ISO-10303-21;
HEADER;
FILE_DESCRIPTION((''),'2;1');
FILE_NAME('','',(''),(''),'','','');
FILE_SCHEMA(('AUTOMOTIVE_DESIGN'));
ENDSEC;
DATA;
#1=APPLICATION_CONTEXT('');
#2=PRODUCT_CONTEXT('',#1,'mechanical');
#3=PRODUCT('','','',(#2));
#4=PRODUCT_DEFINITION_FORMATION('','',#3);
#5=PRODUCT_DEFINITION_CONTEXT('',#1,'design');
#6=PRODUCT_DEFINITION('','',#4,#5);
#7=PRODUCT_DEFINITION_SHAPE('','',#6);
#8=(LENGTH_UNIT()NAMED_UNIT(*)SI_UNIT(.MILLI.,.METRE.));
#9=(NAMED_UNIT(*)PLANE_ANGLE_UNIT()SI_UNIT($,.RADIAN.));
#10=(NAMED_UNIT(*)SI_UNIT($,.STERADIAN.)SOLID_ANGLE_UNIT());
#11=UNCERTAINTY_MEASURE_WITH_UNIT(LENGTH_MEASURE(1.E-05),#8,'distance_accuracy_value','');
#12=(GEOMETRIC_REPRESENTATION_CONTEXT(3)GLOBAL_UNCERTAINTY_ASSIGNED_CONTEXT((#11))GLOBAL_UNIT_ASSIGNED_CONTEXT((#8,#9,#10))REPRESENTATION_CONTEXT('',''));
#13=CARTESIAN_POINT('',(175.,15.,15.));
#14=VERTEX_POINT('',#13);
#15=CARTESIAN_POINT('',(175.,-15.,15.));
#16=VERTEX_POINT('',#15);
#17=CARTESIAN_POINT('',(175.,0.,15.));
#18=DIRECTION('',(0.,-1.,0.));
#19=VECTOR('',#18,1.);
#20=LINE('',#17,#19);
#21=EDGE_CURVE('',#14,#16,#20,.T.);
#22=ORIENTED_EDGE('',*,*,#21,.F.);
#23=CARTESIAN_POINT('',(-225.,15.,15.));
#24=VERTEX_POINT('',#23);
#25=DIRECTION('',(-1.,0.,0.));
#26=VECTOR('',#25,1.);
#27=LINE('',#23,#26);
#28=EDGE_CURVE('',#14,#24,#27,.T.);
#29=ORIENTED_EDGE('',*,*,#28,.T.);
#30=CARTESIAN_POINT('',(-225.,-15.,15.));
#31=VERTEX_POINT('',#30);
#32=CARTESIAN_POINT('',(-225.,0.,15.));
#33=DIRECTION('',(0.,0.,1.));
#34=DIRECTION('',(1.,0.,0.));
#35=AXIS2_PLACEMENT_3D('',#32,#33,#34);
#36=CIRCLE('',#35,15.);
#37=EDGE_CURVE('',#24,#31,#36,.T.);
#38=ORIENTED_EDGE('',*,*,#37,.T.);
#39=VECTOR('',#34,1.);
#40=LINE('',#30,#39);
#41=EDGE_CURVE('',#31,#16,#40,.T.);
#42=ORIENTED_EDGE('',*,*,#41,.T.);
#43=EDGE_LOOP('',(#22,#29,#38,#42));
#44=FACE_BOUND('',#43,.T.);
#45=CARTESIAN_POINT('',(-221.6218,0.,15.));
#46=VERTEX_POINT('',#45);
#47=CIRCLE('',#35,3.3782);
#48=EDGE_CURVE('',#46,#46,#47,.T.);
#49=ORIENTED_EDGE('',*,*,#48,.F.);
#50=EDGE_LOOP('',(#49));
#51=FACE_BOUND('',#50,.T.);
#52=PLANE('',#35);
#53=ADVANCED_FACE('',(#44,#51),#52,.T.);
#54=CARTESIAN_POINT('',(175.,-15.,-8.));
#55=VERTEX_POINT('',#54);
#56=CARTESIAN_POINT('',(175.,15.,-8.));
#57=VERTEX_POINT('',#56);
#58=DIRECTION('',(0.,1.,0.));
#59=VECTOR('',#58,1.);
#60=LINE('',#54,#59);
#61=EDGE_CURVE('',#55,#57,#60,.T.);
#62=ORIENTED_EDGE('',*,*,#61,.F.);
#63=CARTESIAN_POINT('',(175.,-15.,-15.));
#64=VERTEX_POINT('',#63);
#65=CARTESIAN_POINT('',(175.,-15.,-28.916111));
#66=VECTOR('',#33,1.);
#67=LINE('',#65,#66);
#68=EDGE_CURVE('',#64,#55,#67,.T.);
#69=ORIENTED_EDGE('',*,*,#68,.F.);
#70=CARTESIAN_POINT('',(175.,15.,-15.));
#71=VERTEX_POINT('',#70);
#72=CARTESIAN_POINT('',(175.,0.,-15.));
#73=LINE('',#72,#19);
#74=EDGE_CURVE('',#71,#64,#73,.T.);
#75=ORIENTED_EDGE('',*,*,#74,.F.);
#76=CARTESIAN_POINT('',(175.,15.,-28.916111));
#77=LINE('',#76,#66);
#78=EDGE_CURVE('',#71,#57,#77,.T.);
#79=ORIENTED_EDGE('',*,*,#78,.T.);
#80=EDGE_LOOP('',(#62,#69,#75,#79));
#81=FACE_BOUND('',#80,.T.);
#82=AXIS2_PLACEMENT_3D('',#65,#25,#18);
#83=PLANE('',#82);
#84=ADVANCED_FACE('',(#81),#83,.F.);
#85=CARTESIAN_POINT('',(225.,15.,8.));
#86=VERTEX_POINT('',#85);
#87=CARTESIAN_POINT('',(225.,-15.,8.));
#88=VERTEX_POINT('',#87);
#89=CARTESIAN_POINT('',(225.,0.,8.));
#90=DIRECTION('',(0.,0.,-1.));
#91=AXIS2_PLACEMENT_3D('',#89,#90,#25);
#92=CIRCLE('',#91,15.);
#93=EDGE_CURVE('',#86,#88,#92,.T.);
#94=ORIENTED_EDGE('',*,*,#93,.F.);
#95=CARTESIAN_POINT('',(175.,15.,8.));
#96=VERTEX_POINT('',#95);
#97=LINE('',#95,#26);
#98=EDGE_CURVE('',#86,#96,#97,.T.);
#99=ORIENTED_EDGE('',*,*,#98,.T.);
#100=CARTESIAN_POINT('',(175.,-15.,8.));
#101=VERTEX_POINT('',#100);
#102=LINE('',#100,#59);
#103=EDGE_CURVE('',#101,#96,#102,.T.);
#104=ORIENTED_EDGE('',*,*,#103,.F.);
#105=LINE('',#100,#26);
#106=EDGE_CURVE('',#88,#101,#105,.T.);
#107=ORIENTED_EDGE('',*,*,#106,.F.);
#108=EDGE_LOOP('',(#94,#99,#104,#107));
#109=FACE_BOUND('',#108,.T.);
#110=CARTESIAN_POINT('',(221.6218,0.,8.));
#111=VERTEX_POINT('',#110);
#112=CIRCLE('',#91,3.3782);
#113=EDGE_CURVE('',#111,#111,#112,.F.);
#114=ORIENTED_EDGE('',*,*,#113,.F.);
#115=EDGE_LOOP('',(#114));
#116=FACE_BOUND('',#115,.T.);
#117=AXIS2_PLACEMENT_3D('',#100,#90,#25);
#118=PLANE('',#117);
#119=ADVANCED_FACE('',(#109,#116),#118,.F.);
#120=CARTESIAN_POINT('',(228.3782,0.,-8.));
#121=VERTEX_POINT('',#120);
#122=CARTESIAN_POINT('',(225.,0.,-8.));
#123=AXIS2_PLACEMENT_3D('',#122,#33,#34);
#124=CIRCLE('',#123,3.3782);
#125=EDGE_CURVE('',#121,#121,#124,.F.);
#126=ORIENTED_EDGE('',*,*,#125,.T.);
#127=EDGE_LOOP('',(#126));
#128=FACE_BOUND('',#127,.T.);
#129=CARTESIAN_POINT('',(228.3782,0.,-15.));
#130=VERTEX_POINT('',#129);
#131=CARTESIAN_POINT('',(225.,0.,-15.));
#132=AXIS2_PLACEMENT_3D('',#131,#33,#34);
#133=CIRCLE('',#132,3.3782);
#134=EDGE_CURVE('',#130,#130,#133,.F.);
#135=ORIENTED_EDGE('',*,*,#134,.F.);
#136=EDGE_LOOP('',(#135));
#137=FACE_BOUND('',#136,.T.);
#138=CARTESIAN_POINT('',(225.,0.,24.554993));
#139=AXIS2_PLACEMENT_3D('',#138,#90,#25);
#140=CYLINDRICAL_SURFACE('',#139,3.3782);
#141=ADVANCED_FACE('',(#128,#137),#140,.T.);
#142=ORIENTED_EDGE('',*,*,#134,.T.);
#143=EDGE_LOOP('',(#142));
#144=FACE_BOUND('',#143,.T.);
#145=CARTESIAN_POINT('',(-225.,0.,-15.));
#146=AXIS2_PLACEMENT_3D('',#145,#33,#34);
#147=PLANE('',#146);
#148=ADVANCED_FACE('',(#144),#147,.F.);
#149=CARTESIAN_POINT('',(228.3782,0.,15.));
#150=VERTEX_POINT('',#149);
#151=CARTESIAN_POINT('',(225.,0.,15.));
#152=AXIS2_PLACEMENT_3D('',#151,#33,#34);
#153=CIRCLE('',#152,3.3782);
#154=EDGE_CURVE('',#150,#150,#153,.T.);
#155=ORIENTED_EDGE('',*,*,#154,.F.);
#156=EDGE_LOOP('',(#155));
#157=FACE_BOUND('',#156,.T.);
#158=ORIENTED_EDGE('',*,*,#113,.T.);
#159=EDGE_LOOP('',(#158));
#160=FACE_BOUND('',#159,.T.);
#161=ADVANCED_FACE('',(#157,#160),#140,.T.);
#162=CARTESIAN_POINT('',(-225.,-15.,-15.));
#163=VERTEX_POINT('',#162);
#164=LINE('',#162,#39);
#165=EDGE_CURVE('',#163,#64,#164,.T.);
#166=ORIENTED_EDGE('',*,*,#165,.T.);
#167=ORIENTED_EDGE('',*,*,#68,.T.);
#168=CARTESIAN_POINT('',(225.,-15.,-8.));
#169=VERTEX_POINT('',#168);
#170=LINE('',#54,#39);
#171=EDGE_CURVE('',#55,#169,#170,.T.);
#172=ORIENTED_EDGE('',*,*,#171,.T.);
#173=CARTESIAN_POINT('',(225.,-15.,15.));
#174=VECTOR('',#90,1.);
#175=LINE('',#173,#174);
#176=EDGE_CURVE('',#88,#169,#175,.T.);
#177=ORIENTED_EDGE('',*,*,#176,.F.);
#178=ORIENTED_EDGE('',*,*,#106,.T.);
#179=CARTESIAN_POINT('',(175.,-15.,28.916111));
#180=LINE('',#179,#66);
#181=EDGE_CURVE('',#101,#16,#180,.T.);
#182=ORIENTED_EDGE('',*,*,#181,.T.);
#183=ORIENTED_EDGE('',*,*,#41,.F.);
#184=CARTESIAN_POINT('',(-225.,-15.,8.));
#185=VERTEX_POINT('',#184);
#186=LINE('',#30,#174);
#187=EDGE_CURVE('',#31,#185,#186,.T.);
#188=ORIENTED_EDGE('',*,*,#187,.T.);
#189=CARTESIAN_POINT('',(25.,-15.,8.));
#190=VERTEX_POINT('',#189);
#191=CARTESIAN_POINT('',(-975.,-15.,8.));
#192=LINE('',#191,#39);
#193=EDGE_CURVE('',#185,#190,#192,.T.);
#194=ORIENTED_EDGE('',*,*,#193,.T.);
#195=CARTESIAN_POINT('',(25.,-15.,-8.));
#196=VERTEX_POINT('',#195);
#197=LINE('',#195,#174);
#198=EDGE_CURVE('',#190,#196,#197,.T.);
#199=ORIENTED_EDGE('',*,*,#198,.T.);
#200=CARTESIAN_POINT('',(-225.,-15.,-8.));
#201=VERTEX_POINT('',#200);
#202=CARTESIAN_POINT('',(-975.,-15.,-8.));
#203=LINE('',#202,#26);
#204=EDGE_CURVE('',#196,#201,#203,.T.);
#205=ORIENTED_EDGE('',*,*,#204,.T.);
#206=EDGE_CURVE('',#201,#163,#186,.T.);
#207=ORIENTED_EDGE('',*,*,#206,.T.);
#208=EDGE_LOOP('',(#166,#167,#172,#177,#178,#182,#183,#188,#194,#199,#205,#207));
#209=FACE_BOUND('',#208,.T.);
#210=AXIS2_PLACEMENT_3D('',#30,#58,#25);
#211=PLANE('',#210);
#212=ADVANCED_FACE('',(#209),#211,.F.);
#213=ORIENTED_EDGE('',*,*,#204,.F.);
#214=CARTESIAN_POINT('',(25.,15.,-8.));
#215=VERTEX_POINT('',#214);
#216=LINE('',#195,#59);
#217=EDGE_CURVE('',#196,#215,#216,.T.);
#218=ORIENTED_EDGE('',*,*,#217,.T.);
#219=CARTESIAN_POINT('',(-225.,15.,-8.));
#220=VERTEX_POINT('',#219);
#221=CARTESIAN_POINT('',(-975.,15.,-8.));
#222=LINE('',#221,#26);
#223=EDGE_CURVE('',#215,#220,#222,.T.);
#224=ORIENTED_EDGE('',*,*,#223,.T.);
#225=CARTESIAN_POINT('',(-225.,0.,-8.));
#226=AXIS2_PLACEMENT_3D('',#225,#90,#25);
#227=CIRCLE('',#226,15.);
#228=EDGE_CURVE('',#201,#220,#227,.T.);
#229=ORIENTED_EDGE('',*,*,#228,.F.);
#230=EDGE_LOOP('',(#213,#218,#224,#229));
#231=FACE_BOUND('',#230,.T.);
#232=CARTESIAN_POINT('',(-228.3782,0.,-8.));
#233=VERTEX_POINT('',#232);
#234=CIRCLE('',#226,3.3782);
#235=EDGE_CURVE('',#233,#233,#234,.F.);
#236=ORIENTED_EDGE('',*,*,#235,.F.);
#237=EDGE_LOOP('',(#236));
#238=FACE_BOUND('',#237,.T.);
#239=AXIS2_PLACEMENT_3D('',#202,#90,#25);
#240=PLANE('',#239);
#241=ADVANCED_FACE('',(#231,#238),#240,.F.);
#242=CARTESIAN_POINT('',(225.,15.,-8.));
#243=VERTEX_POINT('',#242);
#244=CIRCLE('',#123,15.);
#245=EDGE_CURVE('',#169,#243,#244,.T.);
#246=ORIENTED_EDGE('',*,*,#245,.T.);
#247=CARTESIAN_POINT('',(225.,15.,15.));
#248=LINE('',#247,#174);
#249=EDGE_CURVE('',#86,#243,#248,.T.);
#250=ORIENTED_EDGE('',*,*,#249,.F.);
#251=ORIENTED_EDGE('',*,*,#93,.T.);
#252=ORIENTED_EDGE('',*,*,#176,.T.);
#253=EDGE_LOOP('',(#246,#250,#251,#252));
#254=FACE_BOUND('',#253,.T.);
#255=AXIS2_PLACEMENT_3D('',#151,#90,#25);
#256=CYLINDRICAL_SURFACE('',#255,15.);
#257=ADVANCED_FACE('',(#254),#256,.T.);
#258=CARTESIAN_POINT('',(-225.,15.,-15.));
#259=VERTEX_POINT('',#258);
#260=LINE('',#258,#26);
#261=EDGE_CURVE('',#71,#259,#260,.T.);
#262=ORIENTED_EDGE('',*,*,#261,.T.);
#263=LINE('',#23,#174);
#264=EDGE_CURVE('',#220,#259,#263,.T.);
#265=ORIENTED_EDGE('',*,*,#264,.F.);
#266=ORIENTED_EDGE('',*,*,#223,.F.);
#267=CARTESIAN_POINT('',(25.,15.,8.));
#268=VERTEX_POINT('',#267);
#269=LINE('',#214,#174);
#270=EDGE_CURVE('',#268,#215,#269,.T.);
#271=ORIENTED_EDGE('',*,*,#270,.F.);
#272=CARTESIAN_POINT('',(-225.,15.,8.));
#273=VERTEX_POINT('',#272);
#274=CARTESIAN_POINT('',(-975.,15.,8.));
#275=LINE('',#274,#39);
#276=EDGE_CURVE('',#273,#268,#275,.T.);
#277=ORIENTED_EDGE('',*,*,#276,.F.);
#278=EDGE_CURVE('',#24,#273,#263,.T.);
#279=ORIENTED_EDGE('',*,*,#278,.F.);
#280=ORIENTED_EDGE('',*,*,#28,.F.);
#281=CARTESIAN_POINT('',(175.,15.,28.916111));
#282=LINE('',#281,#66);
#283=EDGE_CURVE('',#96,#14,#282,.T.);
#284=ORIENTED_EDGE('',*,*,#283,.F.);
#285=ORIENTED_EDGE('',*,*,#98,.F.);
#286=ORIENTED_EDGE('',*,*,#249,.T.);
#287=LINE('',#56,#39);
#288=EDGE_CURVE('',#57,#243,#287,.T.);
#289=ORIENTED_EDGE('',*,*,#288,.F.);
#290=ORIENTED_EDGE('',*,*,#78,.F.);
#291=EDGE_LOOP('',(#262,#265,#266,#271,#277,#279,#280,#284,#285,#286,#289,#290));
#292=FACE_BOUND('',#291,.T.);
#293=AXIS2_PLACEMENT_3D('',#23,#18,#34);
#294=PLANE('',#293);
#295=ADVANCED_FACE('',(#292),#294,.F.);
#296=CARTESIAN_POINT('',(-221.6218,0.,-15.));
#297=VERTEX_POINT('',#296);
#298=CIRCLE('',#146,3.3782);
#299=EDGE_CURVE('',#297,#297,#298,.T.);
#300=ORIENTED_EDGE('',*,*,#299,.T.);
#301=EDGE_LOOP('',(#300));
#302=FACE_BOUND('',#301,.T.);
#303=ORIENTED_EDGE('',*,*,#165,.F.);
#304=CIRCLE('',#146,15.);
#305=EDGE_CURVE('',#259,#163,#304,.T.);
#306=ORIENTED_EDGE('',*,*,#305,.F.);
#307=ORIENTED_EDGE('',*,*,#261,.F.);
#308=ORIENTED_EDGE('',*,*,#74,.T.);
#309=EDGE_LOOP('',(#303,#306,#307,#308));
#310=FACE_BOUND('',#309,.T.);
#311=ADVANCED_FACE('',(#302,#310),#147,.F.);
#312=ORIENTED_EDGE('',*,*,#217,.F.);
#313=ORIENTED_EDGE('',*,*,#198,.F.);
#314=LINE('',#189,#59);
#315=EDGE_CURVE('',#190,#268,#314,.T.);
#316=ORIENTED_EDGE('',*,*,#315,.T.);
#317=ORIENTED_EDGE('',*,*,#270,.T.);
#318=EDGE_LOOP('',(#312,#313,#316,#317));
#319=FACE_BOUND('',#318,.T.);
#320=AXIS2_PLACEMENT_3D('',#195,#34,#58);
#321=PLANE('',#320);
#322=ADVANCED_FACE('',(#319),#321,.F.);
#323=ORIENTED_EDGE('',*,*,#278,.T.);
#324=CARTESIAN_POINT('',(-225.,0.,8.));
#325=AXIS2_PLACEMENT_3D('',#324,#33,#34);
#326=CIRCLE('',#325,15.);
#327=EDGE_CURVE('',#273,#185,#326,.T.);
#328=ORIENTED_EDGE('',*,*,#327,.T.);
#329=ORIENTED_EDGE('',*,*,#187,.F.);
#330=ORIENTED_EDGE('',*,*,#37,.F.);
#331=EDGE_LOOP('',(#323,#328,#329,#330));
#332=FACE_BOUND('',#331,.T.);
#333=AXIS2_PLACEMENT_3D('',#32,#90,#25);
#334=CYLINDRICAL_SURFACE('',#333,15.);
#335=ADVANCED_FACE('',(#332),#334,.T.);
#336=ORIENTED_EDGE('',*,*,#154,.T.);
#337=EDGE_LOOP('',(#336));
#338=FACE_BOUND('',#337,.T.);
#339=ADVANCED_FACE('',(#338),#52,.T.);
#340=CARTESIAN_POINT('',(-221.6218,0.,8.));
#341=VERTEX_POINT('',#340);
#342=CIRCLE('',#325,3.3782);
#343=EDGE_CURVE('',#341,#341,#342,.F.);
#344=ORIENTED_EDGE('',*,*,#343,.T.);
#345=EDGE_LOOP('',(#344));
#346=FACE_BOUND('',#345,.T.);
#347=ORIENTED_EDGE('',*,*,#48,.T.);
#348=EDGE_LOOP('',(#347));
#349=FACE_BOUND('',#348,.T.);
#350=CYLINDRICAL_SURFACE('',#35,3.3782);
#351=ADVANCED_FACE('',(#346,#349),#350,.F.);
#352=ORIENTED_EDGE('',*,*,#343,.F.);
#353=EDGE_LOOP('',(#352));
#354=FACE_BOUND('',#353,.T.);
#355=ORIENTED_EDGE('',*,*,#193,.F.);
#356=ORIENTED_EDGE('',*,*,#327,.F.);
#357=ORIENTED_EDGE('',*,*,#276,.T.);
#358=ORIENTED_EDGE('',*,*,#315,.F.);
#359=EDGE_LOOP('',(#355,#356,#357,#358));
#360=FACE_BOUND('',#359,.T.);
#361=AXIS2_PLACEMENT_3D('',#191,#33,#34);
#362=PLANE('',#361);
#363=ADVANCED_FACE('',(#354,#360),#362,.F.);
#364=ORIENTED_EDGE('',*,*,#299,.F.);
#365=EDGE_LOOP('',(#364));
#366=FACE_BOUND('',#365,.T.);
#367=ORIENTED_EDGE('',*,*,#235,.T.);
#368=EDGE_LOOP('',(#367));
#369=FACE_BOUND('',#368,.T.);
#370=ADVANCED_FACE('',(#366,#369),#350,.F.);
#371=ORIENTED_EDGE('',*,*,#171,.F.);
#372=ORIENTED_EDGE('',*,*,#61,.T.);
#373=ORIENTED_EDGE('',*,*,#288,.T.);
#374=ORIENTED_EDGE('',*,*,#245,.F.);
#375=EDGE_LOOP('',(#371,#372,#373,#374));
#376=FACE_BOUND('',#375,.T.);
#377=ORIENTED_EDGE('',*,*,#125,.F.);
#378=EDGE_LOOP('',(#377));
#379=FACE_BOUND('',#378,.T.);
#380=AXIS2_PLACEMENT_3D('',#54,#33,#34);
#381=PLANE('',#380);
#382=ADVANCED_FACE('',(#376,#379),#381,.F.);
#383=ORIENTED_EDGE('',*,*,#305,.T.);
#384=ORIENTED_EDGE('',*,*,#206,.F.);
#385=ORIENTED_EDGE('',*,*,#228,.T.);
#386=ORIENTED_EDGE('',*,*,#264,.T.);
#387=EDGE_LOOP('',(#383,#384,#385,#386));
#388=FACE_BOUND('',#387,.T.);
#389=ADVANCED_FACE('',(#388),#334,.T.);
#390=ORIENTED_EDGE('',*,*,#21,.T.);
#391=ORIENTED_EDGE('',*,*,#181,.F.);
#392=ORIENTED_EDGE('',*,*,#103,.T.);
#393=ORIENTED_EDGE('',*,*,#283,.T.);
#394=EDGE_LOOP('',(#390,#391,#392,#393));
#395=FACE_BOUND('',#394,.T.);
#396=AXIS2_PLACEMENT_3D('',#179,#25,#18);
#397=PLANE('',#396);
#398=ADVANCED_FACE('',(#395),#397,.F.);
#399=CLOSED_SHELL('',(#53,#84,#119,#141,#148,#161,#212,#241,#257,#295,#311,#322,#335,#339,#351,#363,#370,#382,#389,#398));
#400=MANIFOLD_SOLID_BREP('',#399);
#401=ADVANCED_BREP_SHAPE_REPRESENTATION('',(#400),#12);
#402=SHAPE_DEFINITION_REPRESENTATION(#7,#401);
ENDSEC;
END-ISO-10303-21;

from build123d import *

# Parameters (mm, degrees)
BOSS_EXTRUDE1_DEPTH             = 15
H_0_266_DIAMETER_HOLE1_D        = 6.7564
SKETCH5_W                       = 1000
SKETCH5_H                       = 16
SKETCH5_W_2                     = 70
SKETCH5_H_2                     = 20.916111238
CUT_EXTRUDE1_DEPTH              = 243.332416321
BOSS_EXTRUDE4_REACH             = 242.936
SKETCH6_R                       = 3.3782
BOSS_EXTRUDE4_DIRECTION_2_REACH = 242.936


with BuildPart() as part:
    # Sketch1 → Boss-Extrude1 (new, symmetric)
    with BuildSketch(Plane.XY):
        with BuildLine():
            Line((-225, 15), (225, 15))
            ThreePointArc((225, 15), (240, 0), (225, -15))
            Line((225, -15), (-225, -15))
            ThreePointArc((-225, -15), (-240, 0), (-225, 15))
        make_face()
    extrude(amount=BOSS_EXTRUDE1_DEPTH, both=True)

    # H (0.266) Diameter Hole1 (through all)
    with Locations(Plane.XY.offset(15)):
        with Locations((-225, 0), (225, 0)):
            Hole(H_0_266_DIAMETER_HOLE1_D / 2)

    # Sketch5 → Cut-Extrude1 (cut, through all)
    with BuildSketch(Plane(origin=(0, 15, 0), x_dir=(1, 0, 0), z_dir=(0, 1, 0))):
        with Locations((-475, 0)):
            Rectangle(SKETCH5_W, SKETCH5_H)
        with Locations((210, 18.458055619)):
            Rectangle(SKETCH5_W_2, SKETCH5_H_2)
        with Locations((210, -18.458055619)):
            Rectangle(SKETCH5_W_2, SKETCH5_H_2)
    extrude(amount=-CUT_EXTRUDE1_DEPTH, mode=Mode.SUBTRACT)

    # Boss-Extrude4: up to this face of the body (flat: up to its plane)
    boss_extrude4_end = Plane(part.part.faces().sort_by_distance((-30.33914406, 0, 15))[0])
    # Sketch6 → Boss-Extrude4 (add, up to the picked face)
    with BuildSketch(Plane.XY, mode=Mode.PRIVATE) as boss_extrude4_sk1:
        with Locations((225, 0)):
            Circle(SKETCH6_R)
    boss_extrude4_tool1 = split(extrude(boss_extrude4_sk1.sketch, amount=BOSS_EXTRUDE4_REACH, mode=Mode.PRIVATE), bisect_by=boss_extrude4_end, keep=Keep.BOTH, mode=Mode.PRIVATE)
    add(boss_extrude4_tool1.solids().sort_by(Axis((225, 0, 0), (0, 0, 1)))[0])

    # Boss-Extrude4 direction 2: up to this face of the body (flat: up to its plane)
    boss_extrude4_direction_2_end = Plane(part.part.faces().sort_by_distance((-30.33914406, 0, -15))[0])
    # Sketch6 → Boss-Extrude4 direction 2 (add, up to the picked face)
    with BuildSketch(Plane.XY, mode=Mode.PRIVATE) as boss_extrude4_direction_2_sk1:
        with Locations((225, 0)):
            Circle(SKETCH6_R)
    boss_extrude4_direction_2_tool1 = split(extrude(boss_extrude4_direction_2_sk1.sketch, amount=-BOSS_EXTRUDE4_DIRECTION_2_REACH, mode=Mode.PRIVATE), bisect_by=boss_extrude4_direction_2_end, keep=Keep.BOTH, mode=Mode.PRIVATE)
    add(boss_extrude4_direction_2_tool1.solids().sort_by(Axis((225, 0, 0), (0, 0, -1)))[0])


solid = part.part
